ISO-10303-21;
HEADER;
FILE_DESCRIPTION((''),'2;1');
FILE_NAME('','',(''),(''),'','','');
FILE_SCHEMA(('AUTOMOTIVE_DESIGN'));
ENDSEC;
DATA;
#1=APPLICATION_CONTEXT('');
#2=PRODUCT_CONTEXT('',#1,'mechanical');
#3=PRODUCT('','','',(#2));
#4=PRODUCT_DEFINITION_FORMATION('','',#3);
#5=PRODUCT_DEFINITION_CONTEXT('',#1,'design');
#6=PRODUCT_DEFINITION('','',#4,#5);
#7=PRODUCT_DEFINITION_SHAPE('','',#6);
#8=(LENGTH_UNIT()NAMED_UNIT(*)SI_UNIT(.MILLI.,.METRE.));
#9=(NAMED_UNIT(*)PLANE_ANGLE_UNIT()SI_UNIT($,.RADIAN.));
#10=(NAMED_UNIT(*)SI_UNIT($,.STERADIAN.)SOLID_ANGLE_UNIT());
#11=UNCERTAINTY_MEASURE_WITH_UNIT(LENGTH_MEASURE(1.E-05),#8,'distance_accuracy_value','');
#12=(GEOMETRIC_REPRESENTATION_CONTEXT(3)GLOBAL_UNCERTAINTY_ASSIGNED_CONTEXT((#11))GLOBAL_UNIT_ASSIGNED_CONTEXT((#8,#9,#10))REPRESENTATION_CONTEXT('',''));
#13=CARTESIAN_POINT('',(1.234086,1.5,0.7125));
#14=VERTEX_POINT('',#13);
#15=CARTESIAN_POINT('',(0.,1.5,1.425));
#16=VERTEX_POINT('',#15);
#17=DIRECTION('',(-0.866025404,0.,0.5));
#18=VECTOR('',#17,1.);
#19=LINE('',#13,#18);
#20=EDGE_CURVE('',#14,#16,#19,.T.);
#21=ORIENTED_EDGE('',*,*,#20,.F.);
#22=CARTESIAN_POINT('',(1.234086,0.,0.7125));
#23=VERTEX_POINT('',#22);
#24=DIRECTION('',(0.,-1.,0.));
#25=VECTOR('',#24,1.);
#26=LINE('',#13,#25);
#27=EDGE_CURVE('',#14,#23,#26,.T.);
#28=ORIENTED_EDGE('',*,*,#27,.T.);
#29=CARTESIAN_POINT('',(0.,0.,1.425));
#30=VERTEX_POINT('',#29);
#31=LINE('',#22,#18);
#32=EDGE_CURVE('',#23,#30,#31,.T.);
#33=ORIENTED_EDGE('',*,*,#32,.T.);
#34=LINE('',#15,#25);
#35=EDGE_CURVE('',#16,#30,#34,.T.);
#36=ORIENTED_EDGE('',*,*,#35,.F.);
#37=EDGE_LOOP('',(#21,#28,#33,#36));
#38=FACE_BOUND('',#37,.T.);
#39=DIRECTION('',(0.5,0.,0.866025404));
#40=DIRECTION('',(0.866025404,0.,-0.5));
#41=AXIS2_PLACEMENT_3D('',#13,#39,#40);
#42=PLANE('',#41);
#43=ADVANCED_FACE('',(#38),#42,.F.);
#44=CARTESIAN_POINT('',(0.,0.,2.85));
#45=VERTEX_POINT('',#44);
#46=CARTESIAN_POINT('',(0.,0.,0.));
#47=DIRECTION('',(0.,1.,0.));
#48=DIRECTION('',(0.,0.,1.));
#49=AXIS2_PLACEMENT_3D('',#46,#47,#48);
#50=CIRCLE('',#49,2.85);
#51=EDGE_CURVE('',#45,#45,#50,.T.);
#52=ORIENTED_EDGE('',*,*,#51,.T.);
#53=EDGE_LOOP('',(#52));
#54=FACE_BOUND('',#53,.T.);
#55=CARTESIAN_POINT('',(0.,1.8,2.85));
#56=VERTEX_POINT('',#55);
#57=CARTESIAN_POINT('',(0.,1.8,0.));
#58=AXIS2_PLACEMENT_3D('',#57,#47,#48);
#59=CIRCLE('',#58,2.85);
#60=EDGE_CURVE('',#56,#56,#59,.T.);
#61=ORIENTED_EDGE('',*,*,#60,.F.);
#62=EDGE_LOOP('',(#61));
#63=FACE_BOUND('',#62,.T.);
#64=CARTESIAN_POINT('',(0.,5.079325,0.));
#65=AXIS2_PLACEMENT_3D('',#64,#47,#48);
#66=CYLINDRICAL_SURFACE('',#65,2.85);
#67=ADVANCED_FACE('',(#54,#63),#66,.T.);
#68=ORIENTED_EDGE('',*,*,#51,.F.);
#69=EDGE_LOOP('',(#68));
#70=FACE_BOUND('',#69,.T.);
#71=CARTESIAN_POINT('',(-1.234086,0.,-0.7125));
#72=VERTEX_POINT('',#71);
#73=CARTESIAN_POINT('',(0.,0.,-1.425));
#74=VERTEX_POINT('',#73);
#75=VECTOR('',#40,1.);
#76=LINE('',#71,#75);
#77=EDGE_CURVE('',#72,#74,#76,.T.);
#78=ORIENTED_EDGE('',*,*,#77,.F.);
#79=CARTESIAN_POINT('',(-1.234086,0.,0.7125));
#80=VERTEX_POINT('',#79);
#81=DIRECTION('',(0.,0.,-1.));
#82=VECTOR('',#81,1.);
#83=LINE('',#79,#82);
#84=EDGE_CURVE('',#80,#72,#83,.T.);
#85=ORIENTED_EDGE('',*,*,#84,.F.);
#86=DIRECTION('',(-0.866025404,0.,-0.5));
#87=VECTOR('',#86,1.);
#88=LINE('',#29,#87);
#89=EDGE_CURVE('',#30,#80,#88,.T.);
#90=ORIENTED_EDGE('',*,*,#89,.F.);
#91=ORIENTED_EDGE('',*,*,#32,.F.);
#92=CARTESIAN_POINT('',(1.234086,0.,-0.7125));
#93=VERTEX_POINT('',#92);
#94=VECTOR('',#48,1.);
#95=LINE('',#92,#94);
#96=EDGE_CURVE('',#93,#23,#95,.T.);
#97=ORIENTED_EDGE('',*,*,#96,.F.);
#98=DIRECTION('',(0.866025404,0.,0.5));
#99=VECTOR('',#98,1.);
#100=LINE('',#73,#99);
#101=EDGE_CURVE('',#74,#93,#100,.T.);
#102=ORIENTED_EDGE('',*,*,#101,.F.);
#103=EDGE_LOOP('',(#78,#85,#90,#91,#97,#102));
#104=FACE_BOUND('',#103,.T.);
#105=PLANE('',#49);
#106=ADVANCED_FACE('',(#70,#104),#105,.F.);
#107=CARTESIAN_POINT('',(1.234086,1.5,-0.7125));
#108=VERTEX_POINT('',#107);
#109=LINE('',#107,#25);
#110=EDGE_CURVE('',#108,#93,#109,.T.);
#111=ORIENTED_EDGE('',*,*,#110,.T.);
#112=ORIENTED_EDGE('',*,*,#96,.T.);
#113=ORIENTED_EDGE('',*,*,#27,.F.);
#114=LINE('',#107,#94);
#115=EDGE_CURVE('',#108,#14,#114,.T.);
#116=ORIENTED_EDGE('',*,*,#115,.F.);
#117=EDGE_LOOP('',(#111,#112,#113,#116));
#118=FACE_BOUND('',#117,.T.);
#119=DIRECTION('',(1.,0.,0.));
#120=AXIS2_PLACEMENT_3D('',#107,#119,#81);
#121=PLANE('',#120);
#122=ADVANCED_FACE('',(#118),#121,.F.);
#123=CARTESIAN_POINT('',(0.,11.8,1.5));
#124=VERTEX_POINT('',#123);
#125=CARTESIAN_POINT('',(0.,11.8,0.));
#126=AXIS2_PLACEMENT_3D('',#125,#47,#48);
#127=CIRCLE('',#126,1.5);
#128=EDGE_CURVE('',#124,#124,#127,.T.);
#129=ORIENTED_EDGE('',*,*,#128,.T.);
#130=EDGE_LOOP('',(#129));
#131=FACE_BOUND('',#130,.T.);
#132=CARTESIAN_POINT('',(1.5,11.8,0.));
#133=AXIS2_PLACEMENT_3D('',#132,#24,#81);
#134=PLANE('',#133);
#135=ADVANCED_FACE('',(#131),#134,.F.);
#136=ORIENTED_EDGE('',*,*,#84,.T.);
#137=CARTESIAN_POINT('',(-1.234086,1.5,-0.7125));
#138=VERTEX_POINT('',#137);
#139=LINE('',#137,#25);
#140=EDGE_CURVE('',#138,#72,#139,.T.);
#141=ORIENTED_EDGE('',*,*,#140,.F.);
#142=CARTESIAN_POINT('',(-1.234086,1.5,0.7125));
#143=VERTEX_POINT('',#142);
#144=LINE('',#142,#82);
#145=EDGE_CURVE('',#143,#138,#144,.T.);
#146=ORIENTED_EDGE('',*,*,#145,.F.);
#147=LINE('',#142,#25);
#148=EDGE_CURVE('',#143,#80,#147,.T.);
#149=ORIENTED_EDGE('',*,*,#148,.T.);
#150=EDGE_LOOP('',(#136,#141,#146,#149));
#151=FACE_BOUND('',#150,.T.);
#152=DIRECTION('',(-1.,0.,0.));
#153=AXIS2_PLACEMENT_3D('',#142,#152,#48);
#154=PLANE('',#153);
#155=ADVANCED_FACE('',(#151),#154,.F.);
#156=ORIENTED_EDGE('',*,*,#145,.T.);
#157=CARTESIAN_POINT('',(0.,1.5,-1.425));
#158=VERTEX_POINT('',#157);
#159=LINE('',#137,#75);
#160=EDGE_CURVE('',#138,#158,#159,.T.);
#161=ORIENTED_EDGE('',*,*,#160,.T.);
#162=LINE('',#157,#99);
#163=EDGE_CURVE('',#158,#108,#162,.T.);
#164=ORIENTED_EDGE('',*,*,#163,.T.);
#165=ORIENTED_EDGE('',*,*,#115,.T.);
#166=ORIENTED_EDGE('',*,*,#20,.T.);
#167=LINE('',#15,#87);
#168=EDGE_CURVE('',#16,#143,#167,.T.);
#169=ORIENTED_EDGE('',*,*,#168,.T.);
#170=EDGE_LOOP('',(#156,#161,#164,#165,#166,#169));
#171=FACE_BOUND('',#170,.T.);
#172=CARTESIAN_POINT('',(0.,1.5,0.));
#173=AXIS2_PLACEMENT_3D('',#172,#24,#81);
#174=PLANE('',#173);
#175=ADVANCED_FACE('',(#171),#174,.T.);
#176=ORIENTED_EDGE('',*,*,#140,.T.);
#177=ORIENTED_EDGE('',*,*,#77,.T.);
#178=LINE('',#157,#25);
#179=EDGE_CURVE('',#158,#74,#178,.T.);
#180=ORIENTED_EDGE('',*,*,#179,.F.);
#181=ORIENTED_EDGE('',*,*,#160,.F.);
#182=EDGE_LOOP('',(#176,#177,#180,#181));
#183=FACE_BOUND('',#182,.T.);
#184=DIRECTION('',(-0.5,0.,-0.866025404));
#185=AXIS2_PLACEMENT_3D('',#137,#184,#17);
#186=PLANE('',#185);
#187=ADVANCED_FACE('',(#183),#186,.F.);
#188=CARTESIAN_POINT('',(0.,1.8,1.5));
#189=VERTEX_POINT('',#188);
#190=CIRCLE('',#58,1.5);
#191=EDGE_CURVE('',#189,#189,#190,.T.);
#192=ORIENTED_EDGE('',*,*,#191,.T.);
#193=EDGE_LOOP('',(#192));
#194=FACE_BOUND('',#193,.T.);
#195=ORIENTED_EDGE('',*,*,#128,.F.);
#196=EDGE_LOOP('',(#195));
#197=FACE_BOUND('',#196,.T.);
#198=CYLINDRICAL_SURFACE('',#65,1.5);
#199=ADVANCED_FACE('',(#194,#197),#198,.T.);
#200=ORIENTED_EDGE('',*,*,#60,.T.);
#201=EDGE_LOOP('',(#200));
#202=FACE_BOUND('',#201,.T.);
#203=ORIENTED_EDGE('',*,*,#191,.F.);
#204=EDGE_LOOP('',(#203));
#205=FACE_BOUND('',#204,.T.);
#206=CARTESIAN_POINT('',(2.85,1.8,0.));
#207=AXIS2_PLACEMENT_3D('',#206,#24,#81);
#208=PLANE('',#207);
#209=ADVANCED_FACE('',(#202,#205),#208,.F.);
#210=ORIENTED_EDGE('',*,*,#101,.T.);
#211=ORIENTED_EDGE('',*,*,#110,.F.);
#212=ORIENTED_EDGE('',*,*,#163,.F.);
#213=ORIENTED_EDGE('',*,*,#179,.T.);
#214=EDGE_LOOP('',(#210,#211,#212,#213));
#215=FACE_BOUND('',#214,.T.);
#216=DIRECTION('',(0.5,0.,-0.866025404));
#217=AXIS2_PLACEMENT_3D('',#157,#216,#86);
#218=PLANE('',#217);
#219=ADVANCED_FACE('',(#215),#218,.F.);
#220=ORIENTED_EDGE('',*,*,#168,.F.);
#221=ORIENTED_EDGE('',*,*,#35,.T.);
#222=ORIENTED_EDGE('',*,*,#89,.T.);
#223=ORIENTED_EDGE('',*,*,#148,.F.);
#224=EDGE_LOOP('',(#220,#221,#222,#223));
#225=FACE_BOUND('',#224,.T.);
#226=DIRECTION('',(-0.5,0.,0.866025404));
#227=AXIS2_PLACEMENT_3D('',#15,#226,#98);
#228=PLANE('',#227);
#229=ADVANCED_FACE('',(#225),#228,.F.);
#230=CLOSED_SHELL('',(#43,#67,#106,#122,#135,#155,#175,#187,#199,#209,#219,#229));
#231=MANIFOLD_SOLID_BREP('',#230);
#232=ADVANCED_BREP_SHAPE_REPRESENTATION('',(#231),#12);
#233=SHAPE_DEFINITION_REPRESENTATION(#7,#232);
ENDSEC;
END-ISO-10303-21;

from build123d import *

# Parameters (mm, degrees)
CUT_EXTRUDE_1_DEPTH = 1.5


with BuildPart() as part:
    # 草图1 → 旋转1 (revolve)
    with BuildSketch(Plane.XY, mode=Mode.PRIVATE) as revolve_1_sk:
        Polygon((0, 0), (2.85, 0), (2.85, 1.8), (1.5, 1.8), (1.5, 11.8), (0, 11.8), align=None)
    revolve(revolve_1_sk.sketch.rotate(Axis((0, 5.079324982, 0), (0, -1, 0)), 90), axis=Axis((0, 5.079324982, 0), (0, -1, 0)))

    # 草图2 → 切除-拉伸1 (cut)
    with BuildSketch(Plane.XZ):
        Polygon((0, -1.425), (1.2340862, -0.7125), (1.2340862, 0.7125), (0, 1.425), (-1.2340862, 0.7125), (-1.2340862, -0.7125), align=None)
    extrude(amount=-CUT_EXTRUDE_1_DEPTH, mode=Mode.SUBTRACT)


solid = part.part
